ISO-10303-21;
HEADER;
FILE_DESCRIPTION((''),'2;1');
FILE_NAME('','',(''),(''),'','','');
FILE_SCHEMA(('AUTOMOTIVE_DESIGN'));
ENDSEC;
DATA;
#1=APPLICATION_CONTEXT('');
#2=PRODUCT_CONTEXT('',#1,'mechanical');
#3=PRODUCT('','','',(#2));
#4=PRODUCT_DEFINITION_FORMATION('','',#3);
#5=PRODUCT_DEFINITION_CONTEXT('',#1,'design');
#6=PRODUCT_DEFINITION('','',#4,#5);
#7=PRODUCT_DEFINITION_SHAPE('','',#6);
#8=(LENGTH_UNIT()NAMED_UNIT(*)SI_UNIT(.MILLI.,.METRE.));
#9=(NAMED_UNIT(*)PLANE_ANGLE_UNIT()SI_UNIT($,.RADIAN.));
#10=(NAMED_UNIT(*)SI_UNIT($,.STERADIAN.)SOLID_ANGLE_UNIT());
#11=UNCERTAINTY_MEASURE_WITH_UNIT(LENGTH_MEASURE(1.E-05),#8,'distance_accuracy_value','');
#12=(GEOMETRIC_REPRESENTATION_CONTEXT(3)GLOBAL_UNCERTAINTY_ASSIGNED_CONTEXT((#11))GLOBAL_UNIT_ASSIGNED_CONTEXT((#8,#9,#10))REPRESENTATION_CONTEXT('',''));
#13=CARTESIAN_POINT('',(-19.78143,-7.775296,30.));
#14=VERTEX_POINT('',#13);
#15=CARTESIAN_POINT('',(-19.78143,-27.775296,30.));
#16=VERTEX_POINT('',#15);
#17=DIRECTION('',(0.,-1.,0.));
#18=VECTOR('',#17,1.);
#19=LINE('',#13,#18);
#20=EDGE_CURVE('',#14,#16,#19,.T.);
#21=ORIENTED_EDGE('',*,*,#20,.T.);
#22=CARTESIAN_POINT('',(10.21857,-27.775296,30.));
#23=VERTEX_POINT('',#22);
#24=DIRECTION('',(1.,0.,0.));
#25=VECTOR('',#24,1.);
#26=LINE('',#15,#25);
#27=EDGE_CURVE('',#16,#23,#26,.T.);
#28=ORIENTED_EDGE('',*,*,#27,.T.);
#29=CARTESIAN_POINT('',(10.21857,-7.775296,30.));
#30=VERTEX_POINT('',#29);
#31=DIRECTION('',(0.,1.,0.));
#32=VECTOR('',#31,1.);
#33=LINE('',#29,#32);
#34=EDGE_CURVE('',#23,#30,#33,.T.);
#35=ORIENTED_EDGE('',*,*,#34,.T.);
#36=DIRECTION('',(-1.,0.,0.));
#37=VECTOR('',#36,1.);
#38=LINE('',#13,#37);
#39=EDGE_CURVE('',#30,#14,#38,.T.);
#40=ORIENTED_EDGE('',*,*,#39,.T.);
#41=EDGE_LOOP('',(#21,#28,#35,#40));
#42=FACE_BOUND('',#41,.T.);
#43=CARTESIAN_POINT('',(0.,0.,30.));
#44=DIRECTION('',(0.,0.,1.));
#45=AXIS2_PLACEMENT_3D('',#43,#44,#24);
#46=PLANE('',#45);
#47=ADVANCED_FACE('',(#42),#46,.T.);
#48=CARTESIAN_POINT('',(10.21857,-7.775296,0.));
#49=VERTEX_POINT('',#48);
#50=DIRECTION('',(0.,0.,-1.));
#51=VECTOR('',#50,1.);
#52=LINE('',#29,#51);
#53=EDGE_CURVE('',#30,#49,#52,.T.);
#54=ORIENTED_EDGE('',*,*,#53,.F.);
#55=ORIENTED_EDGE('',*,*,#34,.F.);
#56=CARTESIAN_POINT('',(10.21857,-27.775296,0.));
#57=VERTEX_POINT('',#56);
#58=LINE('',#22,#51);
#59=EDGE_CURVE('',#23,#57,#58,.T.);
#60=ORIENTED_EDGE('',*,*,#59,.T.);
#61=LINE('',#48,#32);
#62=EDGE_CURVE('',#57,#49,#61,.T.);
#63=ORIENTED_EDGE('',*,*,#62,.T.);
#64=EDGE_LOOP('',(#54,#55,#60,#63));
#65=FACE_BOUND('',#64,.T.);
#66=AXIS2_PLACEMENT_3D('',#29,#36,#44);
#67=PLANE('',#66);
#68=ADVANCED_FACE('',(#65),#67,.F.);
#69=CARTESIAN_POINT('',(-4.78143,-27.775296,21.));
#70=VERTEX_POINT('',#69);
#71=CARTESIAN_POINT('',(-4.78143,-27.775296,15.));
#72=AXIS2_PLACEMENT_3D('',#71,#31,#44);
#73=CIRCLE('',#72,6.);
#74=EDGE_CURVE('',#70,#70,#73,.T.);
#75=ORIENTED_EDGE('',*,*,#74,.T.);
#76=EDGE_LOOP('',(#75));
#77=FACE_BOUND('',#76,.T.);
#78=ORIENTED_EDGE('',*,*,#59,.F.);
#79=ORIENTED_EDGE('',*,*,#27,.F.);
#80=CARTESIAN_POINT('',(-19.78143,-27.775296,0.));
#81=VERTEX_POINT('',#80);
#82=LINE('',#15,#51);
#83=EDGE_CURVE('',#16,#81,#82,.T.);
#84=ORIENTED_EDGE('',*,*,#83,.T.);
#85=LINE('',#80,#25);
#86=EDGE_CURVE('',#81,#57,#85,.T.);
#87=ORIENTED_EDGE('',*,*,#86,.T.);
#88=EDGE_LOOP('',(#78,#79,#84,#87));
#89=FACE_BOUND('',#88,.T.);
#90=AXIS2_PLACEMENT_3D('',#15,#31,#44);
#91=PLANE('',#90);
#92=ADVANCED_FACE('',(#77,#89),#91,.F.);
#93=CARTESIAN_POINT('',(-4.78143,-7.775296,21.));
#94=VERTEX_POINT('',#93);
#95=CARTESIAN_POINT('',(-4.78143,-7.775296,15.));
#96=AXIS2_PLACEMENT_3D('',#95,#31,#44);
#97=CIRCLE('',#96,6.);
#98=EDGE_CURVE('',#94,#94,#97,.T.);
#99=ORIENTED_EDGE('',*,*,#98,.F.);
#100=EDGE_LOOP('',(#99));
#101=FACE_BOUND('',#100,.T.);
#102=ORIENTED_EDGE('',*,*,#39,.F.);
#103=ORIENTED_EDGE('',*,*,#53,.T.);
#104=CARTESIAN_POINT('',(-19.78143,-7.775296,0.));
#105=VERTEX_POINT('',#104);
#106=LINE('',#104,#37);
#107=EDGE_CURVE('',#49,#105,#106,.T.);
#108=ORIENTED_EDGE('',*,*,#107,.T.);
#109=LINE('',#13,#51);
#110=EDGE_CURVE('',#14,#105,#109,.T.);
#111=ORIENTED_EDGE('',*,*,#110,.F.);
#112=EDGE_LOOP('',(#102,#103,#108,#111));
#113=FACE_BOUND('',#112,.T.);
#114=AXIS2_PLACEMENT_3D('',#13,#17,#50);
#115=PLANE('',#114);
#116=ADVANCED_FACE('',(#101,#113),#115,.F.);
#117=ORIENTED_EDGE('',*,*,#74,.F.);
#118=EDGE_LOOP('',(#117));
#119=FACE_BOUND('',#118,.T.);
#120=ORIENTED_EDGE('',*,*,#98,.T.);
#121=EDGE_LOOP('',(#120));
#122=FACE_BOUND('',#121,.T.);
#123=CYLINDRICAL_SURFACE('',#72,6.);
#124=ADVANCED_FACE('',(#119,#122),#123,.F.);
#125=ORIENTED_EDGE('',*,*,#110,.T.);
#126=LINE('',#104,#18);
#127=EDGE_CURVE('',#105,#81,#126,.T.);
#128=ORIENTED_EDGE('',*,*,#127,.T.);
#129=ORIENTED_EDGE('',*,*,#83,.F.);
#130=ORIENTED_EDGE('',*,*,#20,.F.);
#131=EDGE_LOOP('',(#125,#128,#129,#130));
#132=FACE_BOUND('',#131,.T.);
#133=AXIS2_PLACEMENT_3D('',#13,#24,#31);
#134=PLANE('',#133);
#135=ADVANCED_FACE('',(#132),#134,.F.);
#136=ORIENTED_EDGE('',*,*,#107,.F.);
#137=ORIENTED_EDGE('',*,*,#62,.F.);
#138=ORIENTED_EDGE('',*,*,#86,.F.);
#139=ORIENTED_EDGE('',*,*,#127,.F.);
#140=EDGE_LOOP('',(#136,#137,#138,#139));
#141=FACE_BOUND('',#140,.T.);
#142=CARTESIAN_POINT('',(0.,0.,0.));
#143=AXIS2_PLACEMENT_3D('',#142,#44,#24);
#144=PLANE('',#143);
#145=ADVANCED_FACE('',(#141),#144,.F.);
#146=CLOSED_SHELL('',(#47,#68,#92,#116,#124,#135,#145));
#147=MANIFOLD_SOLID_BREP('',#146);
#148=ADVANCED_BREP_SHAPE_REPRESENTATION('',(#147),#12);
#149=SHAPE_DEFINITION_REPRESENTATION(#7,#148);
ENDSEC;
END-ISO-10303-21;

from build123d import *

# Parameters (mm, degrees)
SKETCH1_W           = 30
SKETCH1_H           = 20
BOSS_EXTRUDE1_DEPTH = 30
SKETCH3_R           = 6
CUT_EXTRUDE1_DEPTH  = 21


with BuildPart() as part:
    # Sketch1 → Boss-Extrude1 (new body)
    with BuildSketch(Plane.XY):
        with Locations((-4.781430238, -17.775295883)):
            Rectangle(SKETCH1_W, SKETCH1_H)
    extrude(amount=BOSS_EXTRUDE1_DEPTH)

    # Sketch3 → Cut-Extrude1 (cut, through all)
    with BuildSketch(Plane(origin=(0, -7.775295883, 0), x_dir=(1, 0, 0), z_dir=(0, 1, 0))):
        with Locations((-4.781430238, -15)):
            Circle(SKETCH3_R)
    extrude(amount=-CUT_EXTRUDE1_DEPTH, mode=Mode.SUBTRACT)


solid = part.part
